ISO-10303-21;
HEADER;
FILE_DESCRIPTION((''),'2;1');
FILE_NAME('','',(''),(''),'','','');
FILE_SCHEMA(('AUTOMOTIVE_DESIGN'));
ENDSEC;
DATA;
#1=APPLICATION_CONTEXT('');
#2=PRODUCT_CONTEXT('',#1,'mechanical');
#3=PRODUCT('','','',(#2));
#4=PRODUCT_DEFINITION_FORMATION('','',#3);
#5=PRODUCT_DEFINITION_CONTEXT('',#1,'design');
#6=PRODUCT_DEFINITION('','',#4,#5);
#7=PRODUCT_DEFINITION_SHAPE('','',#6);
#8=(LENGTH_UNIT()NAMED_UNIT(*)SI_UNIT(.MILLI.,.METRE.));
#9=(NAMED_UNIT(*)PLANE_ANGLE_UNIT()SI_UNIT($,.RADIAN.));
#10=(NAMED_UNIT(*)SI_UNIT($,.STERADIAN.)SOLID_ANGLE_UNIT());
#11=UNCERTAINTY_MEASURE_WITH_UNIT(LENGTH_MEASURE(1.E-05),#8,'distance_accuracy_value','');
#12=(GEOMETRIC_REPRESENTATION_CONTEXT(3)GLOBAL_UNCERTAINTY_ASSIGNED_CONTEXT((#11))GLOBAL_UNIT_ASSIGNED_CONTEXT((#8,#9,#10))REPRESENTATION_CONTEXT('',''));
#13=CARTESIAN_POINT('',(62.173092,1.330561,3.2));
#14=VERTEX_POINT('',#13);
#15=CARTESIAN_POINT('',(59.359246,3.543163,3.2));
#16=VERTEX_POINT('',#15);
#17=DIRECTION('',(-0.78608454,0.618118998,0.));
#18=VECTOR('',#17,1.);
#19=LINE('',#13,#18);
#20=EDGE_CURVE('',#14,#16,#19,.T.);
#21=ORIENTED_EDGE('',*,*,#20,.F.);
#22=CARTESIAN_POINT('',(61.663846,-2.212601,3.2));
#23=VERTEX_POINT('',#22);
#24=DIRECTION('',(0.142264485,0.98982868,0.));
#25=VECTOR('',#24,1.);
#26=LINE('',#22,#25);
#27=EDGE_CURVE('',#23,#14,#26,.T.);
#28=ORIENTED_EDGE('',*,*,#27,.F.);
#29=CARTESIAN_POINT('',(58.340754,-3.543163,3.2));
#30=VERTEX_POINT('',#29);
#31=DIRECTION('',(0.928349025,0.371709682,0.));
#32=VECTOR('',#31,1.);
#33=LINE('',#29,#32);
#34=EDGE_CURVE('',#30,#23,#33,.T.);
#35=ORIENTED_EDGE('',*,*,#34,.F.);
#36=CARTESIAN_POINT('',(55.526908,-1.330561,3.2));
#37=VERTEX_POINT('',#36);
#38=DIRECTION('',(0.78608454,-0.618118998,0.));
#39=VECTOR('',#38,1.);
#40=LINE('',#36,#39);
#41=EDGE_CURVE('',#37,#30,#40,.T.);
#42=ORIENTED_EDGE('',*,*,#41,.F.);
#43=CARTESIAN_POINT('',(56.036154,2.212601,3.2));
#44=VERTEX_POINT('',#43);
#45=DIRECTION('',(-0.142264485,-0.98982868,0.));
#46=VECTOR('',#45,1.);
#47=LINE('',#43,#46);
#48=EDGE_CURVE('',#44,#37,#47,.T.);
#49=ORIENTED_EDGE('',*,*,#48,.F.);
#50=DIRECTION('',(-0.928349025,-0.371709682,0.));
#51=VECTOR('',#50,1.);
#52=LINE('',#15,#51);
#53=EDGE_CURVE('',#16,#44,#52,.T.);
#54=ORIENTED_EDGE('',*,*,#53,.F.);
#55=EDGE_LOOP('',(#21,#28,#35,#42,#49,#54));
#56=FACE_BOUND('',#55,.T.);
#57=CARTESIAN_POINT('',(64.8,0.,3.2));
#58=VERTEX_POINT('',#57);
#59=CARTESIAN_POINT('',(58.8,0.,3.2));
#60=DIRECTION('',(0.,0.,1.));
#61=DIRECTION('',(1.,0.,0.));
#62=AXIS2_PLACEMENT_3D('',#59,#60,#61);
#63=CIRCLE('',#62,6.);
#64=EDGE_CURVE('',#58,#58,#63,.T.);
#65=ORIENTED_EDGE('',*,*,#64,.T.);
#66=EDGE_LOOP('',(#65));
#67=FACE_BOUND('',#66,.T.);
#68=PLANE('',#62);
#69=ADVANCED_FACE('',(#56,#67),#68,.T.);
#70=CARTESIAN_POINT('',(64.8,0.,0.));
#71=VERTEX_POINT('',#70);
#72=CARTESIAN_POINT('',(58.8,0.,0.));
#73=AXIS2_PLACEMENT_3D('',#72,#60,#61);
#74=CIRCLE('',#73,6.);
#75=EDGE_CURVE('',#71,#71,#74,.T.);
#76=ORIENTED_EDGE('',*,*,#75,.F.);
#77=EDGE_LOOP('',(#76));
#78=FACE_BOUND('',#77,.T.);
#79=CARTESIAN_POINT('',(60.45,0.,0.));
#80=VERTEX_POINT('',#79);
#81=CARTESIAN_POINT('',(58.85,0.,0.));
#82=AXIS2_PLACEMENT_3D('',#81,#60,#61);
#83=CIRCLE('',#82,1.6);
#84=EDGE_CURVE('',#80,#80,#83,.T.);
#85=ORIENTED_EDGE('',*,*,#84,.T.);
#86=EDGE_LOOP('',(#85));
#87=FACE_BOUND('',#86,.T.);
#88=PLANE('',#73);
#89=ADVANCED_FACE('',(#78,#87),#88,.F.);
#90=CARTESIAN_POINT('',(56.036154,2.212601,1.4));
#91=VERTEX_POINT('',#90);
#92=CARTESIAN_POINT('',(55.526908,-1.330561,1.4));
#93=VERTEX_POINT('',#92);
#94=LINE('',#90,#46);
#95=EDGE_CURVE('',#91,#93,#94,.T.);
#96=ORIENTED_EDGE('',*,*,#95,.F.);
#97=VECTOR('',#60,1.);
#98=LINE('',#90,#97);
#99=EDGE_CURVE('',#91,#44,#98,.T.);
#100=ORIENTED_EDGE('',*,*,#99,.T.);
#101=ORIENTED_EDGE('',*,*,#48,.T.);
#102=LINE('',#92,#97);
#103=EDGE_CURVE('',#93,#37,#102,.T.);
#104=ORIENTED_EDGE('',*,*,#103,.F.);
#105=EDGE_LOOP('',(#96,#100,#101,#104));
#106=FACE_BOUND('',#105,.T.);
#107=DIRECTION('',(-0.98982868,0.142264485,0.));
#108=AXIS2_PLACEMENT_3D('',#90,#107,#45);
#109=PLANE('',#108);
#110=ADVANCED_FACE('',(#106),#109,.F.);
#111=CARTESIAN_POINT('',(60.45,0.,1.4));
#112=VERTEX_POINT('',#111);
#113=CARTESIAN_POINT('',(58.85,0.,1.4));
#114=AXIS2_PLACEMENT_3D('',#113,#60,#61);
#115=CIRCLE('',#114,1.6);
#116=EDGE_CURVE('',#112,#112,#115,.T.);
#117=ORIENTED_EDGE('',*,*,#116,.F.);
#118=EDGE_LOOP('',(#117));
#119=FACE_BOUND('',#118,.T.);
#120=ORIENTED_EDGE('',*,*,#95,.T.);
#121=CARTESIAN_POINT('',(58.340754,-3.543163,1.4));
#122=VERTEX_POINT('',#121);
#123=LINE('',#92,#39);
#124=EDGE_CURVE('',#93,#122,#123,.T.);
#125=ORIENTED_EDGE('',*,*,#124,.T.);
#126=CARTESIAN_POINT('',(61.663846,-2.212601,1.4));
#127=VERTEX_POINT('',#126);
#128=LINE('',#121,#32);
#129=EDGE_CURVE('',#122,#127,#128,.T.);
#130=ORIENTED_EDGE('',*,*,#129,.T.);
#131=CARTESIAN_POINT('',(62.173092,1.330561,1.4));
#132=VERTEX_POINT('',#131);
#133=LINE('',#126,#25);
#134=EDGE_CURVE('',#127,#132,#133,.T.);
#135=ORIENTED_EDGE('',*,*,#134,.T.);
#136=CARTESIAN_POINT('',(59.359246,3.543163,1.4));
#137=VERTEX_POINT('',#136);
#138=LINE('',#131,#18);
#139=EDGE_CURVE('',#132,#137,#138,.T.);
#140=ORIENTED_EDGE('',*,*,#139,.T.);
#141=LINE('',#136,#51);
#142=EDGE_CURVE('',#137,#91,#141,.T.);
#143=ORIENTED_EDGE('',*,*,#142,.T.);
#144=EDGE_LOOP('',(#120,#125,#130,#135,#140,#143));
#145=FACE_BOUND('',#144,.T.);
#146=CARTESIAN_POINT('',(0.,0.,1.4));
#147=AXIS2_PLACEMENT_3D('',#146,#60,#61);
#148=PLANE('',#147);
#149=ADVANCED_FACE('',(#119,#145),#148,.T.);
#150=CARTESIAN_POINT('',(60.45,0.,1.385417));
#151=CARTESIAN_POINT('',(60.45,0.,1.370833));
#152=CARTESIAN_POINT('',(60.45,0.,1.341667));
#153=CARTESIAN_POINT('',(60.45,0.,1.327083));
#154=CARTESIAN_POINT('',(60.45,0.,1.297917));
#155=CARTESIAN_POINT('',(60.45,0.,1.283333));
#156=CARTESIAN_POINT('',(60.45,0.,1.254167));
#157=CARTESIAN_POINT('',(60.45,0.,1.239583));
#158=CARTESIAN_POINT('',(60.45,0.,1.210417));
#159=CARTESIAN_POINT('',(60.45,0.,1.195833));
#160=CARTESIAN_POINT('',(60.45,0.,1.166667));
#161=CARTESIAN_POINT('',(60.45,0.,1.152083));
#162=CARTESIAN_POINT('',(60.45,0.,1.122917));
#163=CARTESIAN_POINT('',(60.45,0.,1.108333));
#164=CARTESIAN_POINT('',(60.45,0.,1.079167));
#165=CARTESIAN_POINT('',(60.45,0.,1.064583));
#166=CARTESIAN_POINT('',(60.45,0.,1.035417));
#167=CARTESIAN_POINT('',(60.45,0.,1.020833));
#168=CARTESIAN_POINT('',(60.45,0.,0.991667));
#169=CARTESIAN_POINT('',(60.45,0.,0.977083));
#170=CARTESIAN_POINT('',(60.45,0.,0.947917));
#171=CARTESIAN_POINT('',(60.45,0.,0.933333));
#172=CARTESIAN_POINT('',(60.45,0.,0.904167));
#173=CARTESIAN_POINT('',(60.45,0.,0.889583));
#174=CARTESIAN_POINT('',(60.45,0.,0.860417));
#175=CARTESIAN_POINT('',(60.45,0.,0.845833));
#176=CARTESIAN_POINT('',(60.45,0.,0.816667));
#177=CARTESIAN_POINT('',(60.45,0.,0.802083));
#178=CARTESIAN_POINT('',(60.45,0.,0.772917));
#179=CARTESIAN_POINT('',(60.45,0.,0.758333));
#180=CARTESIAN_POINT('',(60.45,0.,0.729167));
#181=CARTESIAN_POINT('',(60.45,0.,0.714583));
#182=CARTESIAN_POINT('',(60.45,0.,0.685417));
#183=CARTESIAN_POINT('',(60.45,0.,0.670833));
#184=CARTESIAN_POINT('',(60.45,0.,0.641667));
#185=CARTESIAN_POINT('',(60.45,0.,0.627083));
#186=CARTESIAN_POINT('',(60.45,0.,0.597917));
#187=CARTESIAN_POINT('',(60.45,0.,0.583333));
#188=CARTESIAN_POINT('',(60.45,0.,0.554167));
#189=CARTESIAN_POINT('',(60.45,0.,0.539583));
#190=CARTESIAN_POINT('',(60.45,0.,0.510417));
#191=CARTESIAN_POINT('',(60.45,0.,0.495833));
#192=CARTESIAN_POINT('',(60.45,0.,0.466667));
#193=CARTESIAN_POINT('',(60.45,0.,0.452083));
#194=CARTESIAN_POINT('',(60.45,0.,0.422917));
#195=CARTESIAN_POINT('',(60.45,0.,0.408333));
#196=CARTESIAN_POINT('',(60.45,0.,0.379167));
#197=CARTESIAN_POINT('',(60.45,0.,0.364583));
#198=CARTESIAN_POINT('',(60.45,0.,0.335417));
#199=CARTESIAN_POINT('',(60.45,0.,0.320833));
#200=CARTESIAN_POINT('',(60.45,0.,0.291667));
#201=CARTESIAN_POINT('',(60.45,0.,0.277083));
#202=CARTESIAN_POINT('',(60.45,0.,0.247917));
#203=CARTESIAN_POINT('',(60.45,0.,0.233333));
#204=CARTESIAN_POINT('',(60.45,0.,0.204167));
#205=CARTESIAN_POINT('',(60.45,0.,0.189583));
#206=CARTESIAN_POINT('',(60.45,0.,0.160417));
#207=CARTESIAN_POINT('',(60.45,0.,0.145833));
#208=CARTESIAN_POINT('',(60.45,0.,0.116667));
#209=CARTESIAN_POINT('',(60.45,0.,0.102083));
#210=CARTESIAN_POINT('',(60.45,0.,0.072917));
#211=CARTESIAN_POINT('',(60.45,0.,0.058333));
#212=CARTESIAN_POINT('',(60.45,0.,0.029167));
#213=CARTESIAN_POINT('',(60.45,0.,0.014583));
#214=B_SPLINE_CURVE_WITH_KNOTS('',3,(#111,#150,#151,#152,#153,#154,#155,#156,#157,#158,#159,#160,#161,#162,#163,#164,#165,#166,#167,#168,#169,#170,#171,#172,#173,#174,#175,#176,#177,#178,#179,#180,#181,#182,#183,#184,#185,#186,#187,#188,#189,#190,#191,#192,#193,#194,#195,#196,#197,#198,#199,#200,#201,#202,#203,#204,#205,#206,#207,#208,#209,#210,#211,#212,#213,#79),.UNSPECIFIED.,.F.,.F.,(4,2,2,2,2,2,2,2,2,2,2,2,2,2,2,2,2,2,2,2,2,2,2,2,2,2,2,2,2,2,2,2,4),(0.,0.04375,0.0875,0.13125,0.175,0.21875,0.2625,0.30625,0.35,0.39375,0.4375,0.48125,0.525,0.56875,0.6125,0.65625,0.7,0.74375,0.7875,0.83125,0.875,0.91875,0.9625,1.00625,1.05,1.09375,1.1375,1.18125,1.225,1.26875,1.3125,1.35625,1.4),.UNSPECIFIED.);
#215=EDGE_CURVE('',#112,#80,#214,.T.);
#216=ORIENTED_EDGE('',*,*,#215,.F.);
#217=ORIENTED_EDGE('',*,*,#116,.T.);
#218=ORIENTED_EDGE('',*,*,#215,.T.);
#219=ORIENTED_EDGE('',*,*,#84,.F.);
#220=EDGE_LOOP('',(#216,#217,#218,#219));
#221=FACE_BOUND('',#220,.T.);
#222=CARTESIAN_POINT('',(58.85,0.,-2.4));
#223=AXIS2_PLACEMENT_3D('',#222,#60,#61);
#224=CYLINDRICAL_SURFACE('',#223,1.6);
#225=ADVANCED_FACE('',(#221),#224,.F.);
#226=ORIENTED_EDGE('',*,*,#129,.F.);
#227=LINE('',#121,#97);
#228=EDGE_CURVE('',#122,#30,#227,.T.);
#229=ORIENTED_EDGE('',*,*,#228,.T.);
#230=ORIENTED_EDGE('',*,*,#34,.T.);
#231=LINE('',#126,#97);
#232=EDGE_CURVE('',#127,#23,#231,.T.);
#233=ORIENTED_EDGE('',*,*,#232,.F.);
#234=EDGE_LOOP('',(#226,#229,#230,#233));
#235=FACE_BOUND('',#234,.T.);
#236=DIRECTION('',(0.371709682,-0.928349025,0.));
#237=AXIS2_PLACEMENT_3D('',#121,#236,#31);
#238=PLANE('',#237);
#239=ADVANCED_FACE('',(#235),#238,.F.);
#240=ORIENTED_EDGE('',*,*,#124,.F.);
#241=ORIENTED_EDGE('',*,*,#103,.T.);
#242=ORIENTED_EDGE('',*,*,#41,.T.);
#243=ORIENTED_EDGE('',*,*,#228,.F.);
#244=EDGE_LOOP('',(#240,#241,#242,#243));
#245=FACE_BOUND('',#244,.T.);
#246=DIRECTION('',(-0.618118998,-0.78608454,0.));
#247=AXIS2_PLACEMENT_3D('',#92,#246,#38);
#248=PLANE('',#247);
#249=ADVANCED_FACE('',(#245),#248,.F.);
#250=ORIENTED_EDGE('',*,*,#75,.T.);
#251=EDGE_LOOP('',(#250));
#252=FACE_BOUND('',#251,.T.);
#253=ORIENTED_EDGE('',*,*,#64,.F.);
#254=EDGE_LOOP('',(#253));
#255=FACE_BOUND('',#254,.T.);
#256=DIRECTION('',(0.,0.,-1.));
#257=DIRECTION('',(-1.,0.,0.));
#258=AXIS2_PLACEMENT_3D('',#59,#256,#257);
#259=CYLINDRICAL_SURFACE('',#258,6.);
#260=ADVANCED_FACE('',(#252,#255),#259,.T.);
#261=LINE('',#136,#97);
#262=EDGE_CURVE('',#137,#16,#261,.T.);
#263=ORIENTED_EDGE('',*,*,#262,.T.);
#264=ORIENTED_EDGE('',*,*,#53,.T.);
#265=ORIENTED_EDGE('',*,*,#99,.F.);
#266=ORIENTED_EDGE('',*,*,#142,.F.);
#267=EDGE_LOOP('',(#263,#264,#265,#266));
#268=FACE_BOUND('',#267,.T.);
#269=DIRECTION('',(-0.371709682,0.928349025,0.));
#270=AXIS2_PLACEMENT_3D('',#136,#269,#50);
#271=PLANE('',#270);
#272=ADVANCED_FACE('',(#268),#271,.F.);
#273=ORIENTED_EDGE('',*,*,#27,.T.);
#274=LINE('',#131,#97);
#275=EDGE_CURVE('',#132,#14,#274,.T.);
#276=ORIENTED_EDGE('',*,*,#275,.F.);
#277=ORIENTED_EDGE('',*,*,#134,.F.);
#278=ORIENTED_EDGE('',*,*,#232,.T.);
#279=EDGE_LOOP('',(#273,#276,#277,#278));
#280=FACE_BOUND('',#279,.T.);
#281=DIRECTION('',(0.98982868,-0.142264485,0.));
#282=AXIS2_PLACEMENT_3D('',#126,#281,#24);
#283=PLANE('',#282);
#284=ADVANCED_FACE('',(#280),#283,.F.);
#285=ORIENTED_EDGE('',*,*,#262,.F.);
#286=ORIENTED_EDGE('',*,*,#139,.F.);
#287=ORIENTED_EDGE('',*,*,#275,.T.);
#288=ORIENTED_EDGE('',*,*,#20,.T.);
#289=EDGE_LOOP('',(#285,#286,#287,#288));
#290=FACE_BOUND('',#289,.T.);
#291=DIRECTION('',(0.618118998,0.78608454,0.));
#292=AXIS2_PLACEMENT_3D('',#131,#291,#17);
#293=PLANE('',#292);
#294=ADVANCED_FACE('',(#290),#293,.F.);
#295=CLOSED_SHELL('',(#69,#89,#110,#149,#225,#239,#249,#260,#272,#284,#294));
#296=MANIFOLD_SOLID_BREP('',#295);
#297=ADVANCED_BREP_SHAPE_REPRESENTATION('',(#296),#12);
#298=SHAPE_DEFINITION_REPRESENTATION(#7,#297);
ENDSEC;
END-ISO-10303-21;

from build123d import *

# Parameters (mm, degrees)
SKETCH1_R           = 6
BOSS_EXTRUDE1_DEPTH = 3.2
CUT_EXTRUDE1_DEPTH  = 1.8
SKETCH3_R           = 1.6
CUT_EXTRUDE2_DEPTH  = 3.8


with BuildPart() as part:
    # Sketch1 → Boss-Extrude1 (new body)
    with BuildSketch(Plane.XY):
        with Locations((58.8, 0)):
            Circle(SKETCH1_R)
    extrude(amount=BOSS_EXTRUDE1_DEPTH)

    # Sketch2 → Cut-Extrude1 (cut)
    with BuildSketch(Plane.XY.offset(3.2)):
        Polygon((59.35924592, 3.543162701), (56.036154051, 2.212601254), (55.526908131, -1.330561447), (58.34075408, -3.543162701), (61.663845949, -2.212601254), (62.173091869, 1.330561447), align=None)
    extrude(amount=-CUT_EXTRUDE1_DEPTH, mode=Mode.SUBTRACT)

    # Sketch3 → Cut-Extrude2 (cut)
    with BuildSketch(Plane.XY.offset(1.4)):
        with Locations((58.85, 0)):
            Circle(SKETCH3_R)
    extrude(amount=-CUT_EXTRUDE2_DEPTH, mode=Mode.SUBTRACT)


solid = part.part
